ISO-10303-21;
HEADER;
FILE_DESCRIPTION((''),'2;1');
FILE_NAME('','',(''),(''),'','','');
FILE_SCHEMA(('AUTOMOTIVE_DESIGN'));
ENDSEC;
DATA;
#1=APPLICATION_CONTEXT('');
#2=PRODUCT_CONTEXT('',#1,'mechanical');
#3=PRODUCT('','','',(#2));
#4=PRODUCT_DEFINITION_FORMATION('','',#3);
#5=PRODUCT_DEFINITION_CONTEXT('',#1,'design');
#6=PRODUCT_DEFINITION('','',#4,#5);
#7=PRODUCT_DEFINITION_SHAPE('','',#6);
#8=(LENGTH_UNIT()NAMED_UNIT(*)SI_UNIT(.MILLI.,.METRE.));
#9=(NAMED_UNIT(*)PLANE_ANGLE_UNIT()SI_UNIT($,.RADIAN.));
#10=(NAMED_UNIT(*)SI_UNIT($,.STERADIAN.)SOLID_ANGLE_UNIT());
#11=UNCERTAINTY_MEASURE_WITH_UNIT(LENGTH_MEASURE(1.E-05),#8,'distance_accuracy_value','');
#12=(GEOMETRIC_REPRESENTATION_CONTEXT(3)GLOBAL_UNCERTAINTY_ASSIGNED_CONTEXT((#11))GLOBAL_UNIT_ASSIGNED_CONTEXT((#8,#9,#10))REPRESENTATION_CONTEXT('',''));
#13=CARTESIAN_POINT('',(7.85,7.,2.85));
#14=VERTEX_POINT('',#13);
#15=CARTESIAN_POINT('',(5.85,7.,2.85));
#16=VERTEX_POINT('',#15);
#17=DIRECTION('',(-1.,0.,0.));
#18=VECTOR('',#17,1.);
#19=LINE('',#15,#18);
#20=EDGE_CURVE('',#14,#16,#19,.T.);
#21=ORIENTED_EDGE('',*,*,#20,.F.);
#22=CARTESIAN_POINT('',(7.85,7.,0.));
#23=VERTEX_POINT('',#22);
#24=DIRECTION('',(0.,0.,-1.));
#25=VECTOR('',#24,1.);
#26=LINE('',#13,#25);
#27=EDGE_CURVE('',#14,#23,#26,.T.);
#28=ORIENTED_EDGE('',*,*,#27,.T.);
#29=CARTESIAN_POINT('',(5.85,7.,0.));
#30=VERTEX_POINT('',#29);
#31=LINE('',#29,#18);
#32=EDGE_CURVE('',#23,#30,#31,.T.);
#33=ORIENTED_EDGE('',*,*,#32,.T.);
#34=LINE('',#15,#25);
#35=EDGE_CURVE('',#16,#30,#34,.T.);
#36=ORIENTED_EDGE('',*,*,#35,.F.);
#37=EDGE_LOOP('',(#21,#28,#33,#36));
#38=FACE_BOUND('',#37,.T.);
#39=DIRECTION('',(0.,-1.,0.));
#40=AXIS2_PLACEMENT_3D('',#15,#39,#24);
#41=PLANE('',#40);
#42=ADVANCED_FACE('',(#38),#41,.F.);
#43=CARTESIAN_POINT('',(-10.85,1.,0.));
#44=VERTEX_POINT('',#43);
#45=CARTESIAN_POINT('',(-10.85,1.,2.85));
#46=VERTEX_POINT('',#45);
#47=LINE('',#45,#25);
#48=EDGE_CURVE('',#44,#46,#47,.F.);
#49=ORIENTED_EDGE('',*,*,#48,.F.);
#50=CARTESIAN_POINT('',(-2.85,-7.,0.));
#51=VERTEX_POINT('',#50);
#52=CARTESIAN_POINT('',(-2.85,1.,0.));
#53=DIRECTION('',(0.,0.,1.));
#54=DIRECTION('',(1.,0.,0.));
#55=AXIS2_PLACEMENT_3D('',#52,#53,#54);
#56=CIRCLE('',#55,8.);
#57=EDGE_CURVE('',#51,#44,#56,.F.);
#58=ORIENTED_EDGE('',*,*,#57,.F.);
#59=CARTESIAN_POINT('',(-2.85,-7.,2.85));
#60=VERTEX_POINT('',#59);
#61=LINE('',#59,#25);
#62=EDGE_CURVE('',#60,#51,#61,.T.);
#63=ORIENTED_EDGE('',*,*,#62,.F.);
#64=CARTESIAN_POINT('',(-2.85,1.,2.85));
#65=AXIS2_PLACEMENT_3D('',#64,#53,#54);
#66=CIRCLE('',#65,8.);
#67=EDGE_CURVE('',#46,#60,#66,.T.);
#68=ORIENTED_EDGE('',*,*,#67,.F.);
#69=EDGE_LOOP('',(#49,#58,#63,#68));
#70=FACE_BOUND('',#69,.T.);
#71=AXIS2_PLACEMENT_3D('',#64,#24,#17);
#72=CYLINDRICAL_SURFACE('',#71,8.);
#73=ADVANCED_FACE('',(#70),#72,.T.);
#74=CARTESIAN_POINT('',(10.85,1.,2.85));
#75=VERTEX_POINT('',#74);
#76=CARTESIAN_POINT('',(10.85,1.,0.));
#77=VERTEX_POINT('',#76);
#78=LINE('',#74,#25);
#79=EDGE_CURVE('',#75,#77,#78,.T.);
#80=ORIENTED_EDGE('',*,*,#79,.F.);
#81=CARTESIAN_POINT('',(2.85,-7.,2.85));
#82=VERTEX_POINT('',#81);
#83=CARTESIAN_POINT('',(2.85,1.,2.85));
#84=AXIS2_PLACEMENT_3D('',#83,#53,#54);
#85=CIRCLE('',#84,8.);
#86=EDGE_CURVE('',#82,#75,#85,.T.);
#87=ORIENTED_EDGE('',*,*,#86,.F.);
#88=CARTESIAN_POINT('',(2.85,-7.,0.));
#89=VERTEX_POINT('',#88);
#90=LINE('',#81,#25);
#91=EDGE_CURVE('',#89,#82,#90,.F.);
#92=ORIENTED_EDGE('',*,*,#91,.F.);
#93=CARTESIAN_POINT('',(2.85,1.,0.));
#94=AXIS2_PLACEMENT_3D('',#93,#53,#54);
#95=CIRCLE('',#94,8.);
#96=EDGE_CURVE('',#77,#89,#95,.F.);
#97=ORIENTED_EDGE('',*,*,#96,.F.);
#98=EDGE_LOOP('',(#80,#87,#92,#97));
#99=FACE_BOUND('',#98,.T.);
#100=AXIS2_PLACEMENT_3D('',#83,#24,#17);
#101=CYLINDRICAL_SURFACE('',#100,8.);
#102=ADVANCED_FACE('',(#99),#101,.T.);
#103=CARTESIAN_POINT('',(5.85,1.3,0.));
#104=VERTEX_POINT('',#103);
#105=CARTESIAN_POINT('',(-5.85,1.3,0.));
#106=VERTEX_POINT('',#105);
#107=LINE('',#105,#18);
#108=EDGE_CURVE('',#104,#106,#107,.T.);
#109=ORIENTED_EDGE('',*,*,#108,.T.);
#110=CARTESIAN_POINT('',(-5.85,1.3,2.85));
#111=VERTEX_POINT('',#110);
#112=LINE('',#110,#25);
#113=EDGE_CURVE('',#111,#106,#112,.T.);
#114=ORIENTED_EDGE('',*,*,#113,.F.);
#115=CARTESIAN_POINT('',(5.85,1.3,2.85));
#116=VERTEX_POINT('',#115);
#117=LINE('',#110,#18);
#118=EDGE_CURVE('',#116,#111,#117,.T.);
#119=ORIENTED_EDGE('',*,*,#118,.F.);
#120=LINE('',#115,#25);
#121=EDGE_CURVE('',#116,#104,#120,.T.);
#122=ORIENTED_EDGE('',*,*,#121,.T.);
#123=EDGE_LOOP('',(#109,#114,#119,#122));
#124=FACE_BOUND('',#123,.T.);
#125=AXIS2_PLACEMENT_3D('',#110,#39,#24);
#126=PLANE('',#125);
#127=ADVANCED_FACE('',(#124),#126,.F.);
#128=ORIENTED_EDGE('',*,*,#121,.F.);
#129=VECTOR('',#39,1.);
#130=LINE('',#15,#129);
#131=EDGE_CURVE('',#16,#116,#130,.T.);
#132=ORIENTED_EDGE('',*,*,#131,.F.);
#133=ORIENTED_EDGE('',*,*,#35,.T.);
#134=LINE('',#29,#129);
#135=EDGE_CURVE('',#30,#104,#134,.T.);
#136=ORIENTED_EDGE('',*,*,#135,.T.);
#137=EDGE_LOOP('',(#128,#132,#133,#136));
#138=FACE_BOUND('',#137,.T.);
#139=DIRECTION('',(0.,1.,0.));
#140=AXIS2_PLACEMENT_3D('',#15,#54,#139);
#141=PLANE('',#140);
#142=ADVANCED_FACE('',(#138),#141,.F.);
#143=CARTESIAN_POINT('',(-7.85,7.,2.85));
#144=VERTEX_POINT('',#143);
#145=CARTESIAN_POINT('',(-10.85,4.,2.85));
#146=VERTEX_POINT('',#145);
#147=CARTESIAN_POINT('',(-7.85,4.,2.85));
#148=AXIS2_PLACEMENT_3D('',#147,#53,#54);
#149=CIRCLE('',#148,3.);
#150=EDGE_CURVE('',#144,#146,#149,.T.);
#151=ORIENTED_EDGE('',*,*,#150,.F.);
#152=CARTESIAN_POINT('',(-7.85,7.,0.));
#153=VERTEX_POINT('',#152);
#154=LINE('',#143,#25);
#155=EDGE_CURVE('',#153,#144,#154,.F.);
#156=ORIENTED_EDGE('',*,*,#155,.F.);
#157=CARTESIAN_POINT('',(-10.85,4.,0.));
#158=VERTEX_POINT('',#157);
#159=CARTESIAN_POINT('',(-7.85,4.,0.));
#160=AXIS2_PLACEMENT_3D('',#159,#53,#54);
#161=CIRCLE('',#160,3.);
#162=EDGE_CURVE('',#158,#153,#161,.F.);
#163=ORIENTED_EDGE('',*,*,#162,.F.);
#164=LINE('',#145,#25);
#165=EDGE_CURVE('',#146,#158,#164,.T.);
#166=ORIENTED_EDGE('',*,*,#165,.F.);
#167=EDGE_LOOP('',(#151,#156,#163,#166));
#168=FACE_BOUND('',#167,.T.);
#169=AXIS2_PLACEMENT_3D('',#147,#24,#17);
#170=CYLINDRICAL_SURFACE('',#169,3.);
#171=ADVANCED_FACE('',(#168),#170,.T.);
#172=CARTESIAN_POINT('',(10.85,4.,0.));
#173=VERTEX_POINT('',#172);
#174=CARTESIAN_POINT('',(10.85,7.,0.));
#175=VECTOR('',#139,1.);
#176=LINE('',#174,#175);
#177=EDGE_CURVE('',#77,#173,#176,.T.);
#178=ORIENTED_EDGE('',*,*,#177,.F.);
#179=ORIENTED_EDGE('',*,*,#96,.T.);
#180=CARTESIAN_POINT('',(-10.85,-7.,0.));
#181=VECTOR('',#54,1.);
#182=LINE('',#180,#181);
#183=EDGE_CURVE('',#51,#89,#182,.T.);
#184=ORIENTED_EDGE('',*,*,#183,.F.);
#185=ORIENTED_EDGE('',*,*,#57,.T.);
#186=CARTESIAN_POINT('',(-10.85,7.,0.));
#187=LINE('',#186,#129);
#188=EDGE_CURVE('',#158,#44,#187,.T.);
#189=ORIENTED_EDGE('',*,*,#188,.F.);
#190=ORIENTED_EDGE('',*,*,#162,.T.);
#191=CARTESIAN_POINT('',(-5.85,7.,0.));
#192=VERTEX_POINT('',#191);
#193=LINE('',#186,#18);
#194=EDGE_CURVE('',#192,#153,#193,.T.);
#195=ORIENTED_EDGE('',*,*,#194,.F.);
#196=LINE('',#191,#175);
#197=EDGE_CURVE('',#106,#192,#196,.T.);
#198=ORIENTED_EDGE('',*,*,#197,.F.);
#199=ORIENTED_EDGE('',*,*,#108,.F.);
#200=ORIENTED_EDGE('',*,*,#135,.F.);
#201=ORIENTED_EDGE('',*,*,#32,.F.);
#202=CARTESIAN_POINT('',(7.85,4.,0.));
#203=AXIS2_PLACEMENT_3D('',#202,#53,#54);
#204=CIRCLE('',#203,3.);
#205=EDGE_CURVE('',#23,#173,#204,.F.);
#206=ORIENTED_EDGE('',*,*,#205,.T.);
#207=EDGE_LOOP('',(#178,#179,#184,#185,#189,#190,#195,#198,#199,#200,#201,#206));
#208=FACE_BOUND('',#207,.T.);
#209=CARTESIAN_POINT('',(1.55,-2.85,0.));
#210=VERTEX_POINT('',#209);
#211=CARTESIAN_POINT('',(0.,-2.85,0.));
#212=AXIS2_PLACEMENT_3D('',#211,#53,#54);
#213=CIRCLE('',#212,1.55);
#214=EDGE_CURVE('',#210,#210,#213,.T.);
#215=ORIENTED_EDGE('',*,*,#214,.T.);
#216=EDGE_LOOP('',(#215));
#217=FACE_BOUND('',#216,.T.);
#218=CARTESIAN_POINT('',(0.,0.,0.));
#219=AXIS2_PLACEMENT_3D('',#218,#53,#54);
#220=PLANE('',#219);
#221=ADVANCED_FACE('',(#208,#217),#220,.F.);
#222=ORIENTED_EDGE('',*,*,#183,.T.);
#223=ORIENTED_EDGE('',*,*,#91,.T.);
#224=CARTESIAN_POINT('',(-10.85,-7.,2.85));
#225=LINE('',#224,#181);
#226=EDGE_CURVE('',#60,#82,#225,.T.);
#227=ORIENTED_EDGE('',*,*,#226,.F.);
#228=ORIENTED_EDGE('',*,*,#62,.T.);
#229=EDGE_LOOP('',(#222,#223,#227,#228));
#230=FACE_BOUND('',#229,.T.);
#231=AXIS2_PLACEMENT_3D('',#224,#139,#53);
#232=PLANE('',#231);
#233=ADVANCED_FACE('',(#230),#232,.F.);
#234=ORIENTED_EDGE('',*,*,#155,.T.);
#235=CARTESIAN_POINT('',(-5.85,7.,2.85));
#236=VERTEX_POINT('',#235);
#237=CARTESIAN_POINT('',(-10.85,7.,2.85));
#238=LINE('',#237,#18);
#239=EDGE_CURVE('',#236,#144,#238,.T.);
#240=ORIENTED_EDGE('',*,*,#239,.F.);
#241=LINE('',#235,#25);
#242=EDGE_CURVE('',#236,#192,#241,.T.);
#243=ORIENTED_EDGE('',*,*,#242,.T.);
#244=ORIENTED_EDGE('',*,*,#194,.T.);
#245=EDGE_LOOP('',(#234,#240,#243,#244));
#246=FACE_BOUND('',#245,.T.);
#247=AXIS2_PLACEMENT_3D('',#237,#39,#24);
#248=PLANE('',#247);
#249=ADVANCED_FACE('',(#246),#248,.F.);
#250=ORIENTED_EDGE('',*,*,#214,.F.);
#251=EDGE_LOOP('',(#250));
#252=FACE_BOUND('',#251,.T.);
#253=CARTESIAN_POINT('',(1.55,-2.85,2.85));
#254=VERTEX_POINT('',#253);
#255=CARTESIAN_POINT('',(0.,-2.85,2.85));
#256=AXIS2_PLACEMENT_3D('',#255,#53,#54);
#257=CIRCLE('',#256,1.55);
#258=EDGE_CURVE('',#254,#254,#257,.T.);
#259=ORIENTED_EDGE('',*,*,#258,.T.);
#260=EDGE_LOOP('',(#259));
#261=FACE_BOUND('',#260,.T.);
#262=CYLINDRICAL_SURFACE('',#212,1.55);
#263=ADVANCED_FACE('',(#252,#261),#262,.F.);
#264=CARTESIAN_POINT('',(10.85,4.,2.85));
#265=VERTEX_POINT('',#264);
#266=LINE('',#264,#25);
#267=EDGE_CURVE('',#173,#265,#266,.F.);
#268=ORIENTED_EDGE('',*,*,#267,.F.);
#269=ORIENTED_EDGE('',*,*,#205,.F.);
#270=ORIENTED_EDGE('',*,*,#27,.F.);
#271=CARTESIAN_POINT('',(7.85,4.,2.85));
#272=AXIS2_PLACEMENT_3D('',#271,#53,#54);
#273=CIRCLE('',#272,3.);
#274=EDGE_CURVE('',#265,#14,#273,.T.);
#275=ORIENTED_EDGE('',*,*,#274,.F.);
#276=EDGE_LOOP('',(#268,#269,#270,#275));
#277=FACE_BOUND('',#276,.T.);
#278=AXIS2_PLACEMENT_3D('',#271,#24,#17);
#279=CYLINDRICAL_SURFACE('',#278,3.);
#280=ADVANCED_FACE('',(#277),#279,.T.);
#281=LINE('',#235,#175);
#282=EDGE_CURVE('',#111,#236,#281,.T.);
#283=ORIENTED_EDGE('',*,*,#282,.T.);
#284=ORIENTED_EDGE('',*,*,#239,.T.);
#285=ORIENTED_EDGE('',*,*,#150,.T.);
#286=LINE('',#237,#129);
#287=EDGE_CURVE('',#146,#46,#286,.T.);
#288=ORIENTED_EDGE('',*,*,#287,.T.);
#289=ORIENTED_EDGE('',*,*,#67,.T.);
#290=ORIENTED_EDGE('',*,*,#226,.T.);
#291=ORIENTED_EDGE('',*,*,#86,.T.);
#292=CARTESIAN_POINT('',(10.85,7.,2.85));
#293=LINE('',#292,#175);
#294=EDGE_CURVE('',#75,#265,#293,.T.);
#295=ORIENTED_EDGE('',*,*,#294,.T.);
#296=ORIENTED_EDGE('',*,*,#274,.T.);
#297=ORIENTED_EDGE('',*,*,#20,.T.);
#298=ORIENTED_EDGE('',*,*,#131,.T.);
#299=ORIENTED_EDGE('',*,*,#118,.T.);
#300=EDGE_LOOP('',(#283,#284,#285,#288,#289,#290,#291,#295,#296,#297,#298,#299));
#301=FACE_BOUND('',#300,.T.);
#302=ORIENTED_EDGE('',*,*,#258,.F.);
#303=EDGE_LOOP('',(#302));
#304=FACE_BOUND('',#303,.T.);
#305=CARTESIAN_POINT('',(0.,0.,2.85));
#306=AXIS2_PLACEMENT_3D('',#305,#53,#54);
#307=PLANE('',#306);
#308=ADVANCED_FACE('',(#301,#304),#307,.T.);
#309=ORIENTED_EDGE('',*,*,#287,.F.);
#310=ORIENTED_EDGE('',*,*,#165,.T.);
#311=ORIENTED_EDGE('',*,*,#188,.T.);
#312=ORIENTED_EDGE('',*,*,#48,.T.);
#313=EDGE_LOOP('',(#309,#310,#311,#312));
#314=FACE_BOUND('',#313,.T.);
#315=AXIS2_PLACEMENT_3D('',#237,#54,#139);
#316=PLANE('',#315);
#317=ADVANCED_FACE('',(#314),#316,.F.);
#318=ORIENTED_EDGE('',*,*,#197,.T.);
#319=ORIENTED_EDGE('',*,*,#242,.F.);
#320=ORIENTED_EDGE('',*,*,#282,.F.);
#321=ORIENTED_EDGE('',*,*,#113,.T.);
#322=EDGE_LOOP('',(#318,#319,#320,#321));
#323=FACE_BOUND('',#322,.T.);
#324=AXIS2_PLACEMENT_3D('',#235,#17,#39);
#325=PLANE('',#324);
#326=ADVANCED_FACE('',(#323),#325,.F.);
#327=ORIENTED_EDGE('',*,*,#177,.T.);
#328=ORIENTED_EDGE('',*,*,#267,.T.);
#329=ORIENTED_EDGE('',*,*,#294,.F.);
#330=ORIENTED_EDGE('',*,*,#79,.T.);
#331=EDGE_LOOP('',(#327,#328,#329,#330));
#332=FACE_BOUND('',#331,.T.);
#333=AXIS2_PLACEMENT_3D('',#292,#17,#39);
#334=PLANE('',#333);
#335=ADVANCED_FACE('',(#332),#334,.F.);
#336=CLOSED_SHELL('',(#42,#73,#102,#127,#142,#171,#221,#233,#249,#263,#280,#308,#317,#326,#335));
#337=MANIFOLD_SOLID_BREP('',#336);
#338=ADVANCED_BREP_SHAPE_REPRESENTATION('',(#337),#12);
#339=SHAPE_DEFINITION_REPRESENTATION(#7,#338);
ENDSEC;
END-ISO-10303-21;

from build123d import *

# Parameters (mm, degrees)
BOSS_EXTRUDE1_DEPTH = 2.85
SKETCH2_R           = 1.55
CUT_EXTRUDE1_DEPTH  = 14.222896808
FILLET1_R           = 8
FILLET2_R           = 3


with BuildPart() as part:
    # Sketch1 → Boss-Extrude1 (new body)
    with BuildSketch(Plane.XY):
        Polygon((5.85, 7), (10.85, 7), (10.85, -7), (-10.85, -7), (-10.85, 7), (-5.85, 7), (-5.85, 1.3), (5.85, 1.3), align=None)
    extrude(amount=BOSS_EXTRUDE1_DEPTH)

    # Sketch2 → Cut-Extrude1 (cut, through all)
    with BuildSketch(Plane.XY.offset(2.85)):
        with Locations((0, -2.85)):
            Circle(SKETCH2_R)
    extrude(amount=-CUT_EXTRUDE1_DEPTH, mode=Mode.SUBTRACT)

    # Fillet1
    fillet1_edges = [part.edges().sort_by_distance(p)[0] for p in [
        (10.85, -7, 1.425),
        (-10.85, -7, 1.425),
    ]]
    fillet(fillet1_edges, radius=FILLET1_R)

    # Fillet2
    fillet2_edges = [part.edges().sort_by_distance(p)[0] for p in [
        (-10.85, 7, 1.425),
        (10.85, 7, 1.425),
    ]]
    fillet(fillet2_edges, radius=FILLET2_R)


solid = part.part
